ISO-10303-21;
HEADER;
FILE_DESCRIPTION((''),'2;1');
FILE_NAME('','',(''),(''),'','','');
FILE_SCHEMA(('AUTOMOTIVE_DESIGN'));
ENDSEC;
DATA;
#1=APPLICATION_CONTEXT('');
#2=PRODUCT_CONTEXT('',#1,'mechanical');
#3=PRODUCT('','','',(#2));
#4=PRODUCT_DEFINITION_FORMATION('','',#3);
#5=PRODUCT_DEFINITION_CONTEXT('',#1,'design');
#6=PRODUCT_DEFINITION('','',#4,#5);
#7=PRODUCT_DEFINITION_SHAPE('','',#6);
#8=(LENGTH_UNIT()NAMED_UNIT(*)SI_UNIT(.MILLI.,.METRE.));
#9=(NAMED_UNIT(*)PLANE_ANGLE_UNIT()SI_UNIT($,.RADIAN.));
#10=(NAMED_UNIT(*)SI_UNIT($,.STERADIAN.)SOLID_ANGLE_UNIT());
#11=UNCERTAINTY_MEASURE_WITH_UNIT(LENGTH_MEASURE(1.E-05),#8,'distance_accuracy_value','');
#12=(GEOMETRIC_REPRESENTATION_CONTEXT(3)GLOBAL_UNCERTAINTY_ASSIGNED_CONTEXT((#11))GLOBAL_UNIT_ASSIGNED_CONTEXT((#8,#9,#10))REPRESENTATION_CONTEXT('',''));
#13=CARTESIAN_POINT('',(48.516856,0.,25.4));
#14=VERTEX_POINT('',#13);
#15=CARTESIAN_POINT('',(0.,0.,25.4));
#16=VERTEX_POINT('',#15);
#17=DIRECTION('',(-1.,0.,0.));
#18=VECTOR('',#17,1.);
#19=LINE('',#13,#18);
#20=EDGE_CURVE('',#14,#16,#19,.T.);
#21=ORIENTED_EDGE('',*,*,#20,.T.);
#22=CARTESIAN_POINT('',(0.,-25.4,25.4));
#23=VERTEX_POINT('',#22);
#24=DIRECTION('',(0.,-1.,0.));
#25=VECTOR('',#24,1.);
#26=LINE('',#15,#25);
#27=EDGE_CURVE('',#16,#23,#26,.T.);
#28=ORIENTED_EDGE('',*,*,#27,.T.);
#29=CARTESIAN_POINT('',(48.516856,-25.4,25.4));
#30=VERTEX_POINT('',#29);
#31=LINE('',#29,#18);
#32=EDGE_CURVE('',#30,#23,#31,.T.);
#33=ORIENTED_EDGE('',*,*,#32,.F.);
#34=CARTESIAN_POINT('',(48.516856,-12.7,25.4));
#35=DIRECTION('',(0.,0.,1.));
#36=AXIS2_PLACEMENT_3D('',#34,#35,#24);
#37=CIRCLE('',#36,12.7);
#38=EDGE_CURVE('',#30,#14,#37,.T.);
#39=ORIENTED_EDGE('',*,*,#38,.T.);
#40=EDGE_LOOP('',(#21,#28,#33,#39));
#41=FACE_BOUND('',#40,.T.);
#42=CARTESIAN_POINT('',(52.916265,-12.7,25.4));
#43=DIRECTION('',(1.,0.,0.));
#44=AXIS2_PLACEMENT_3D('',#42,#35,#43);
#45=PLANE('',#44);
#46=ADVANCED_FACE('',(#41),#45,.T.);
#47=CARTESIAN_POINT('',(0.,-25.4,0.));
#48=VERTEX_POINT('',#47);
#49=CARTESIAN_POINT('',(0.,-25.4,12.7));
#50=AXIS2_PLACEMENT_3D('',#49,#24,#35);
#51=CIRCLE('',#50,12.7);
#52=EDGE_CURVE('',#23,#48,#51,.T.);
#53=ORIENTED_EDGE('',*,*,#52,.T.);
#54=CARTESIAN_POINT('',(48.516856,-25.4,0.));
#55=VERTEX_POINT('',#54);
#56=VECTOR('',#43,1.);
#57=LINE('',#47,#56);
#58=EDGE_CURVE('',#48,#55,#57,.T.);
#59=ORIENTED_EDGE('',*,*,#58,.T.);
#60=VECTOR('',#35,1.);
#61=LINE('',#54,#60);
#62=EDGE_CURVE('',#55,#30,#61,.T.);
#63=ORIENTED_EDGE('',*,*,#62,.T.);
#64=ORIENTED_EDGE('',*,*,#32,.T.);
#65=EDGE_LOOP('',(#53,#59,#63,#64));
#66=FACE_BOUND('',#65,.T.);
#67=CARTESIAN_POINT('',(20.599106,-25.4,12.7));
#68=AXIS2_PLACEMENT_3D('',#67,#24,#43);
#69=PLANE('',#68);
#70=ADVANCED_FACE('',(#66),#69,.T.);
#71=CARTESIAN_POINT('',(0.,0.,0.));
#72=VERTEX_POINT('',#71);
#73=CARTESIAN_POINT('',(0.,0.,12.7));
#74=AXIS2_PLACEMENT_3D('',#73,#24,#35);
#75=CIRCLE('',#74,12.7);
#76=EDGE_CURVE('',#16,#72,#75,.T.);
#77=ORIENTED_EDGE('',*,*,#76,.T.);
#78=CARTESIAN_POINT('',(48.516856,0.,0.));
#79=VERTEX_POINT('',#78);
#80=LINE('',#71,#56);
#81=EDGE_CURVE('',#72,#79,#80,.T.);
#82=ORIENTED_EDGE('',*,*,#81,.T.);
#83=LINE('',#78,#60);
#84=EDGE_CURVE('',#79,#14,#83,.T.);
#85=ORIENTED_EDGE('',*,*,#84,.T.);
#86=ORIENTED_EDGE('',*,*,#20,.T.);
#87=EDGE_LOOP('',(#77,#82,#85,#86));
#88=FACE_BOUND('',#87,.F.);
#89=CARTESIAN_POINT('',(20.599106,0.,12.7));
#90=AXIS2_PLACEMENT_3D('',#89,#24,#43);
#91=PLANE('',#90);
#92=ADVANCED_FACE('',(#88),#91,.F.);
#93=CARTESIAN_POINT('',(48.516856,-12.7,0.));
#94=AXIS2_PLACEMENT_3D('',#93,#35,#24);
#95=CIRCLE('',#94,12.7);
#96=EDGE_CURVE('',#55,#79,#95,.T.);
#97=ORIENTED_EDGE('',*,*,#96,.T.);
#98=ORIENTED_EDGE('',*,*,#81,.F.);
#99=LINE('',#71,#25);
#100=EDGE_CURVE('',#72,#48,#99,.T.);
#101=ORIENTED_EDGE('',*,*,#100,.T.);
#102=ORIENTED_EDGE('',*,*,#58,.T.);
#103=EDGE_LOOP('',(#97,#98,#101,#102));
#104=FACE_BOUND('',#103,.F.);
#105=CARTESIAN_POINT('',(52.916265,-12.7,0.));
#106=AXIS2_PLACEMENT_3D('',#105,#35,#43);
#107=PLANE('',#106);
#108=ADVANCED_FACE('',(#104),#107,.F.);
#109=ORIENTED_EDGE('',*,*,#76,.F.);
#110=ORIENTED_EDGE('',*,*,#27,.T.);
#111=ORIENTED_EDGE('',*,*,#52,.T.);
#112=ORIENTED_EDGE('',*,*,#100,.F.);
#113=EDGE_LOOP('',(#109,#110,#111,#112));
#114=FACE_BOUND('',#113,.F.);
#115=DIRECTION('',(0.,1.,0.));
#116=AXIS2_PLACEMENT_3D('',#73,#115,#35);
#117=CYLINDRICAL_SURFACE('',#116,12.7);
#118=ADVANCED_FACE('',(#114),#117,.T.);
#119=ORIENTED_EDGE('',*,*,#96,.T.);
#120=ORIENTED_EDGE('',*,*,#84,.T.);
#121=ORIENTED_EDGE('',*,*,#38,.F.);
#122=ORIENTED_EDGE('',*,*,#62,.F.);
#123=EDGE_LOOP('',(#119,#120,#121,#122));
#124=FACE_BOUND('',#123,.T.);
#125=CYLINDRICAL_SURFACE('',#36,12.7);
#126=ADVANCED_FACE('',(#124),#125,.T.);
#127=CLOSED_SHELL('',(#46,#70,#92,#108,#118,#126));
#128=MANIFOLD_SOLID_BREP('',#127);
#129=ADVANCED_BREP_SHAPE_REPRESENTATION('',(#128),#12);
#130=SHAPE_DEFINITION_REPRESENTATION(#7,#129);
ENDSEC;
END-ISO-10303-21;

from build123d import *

# Parameters (mm, degrees)
F1_DEPTH = 25.4
F3_DEPTH = 25.4


with BuildPart() as f1:
    # F0 (on Front) → F1 (new body)
    with BuildSketch(Plane.XZ):
        with BuildLine():
            Line((48.516856, 25.4), (0, 25.4))
            ThreePointArc((0, 25.4), (-12.7, 12.7), (0, 0))
            Line((0, 0), (48.516856, 0))
            Line((48.516856, 0), (48.516856, 25.4))
        make_face()
    extrude(amount=F1_DEPTH)

    # F2 (on face) → F3 (join, through all)
    with BuildSketch(Plane.XY.offset(25.4)):
        with BuildLine():
            Line((48.516856, 0), (48.516856, -25.4))
            ThreePointArc((48.516856, -25.4), (61.216856, -12.7), (48.516856, 0))
        make_face()
    extrude(amount=-F3_DEPTH)


solid = f1.part
